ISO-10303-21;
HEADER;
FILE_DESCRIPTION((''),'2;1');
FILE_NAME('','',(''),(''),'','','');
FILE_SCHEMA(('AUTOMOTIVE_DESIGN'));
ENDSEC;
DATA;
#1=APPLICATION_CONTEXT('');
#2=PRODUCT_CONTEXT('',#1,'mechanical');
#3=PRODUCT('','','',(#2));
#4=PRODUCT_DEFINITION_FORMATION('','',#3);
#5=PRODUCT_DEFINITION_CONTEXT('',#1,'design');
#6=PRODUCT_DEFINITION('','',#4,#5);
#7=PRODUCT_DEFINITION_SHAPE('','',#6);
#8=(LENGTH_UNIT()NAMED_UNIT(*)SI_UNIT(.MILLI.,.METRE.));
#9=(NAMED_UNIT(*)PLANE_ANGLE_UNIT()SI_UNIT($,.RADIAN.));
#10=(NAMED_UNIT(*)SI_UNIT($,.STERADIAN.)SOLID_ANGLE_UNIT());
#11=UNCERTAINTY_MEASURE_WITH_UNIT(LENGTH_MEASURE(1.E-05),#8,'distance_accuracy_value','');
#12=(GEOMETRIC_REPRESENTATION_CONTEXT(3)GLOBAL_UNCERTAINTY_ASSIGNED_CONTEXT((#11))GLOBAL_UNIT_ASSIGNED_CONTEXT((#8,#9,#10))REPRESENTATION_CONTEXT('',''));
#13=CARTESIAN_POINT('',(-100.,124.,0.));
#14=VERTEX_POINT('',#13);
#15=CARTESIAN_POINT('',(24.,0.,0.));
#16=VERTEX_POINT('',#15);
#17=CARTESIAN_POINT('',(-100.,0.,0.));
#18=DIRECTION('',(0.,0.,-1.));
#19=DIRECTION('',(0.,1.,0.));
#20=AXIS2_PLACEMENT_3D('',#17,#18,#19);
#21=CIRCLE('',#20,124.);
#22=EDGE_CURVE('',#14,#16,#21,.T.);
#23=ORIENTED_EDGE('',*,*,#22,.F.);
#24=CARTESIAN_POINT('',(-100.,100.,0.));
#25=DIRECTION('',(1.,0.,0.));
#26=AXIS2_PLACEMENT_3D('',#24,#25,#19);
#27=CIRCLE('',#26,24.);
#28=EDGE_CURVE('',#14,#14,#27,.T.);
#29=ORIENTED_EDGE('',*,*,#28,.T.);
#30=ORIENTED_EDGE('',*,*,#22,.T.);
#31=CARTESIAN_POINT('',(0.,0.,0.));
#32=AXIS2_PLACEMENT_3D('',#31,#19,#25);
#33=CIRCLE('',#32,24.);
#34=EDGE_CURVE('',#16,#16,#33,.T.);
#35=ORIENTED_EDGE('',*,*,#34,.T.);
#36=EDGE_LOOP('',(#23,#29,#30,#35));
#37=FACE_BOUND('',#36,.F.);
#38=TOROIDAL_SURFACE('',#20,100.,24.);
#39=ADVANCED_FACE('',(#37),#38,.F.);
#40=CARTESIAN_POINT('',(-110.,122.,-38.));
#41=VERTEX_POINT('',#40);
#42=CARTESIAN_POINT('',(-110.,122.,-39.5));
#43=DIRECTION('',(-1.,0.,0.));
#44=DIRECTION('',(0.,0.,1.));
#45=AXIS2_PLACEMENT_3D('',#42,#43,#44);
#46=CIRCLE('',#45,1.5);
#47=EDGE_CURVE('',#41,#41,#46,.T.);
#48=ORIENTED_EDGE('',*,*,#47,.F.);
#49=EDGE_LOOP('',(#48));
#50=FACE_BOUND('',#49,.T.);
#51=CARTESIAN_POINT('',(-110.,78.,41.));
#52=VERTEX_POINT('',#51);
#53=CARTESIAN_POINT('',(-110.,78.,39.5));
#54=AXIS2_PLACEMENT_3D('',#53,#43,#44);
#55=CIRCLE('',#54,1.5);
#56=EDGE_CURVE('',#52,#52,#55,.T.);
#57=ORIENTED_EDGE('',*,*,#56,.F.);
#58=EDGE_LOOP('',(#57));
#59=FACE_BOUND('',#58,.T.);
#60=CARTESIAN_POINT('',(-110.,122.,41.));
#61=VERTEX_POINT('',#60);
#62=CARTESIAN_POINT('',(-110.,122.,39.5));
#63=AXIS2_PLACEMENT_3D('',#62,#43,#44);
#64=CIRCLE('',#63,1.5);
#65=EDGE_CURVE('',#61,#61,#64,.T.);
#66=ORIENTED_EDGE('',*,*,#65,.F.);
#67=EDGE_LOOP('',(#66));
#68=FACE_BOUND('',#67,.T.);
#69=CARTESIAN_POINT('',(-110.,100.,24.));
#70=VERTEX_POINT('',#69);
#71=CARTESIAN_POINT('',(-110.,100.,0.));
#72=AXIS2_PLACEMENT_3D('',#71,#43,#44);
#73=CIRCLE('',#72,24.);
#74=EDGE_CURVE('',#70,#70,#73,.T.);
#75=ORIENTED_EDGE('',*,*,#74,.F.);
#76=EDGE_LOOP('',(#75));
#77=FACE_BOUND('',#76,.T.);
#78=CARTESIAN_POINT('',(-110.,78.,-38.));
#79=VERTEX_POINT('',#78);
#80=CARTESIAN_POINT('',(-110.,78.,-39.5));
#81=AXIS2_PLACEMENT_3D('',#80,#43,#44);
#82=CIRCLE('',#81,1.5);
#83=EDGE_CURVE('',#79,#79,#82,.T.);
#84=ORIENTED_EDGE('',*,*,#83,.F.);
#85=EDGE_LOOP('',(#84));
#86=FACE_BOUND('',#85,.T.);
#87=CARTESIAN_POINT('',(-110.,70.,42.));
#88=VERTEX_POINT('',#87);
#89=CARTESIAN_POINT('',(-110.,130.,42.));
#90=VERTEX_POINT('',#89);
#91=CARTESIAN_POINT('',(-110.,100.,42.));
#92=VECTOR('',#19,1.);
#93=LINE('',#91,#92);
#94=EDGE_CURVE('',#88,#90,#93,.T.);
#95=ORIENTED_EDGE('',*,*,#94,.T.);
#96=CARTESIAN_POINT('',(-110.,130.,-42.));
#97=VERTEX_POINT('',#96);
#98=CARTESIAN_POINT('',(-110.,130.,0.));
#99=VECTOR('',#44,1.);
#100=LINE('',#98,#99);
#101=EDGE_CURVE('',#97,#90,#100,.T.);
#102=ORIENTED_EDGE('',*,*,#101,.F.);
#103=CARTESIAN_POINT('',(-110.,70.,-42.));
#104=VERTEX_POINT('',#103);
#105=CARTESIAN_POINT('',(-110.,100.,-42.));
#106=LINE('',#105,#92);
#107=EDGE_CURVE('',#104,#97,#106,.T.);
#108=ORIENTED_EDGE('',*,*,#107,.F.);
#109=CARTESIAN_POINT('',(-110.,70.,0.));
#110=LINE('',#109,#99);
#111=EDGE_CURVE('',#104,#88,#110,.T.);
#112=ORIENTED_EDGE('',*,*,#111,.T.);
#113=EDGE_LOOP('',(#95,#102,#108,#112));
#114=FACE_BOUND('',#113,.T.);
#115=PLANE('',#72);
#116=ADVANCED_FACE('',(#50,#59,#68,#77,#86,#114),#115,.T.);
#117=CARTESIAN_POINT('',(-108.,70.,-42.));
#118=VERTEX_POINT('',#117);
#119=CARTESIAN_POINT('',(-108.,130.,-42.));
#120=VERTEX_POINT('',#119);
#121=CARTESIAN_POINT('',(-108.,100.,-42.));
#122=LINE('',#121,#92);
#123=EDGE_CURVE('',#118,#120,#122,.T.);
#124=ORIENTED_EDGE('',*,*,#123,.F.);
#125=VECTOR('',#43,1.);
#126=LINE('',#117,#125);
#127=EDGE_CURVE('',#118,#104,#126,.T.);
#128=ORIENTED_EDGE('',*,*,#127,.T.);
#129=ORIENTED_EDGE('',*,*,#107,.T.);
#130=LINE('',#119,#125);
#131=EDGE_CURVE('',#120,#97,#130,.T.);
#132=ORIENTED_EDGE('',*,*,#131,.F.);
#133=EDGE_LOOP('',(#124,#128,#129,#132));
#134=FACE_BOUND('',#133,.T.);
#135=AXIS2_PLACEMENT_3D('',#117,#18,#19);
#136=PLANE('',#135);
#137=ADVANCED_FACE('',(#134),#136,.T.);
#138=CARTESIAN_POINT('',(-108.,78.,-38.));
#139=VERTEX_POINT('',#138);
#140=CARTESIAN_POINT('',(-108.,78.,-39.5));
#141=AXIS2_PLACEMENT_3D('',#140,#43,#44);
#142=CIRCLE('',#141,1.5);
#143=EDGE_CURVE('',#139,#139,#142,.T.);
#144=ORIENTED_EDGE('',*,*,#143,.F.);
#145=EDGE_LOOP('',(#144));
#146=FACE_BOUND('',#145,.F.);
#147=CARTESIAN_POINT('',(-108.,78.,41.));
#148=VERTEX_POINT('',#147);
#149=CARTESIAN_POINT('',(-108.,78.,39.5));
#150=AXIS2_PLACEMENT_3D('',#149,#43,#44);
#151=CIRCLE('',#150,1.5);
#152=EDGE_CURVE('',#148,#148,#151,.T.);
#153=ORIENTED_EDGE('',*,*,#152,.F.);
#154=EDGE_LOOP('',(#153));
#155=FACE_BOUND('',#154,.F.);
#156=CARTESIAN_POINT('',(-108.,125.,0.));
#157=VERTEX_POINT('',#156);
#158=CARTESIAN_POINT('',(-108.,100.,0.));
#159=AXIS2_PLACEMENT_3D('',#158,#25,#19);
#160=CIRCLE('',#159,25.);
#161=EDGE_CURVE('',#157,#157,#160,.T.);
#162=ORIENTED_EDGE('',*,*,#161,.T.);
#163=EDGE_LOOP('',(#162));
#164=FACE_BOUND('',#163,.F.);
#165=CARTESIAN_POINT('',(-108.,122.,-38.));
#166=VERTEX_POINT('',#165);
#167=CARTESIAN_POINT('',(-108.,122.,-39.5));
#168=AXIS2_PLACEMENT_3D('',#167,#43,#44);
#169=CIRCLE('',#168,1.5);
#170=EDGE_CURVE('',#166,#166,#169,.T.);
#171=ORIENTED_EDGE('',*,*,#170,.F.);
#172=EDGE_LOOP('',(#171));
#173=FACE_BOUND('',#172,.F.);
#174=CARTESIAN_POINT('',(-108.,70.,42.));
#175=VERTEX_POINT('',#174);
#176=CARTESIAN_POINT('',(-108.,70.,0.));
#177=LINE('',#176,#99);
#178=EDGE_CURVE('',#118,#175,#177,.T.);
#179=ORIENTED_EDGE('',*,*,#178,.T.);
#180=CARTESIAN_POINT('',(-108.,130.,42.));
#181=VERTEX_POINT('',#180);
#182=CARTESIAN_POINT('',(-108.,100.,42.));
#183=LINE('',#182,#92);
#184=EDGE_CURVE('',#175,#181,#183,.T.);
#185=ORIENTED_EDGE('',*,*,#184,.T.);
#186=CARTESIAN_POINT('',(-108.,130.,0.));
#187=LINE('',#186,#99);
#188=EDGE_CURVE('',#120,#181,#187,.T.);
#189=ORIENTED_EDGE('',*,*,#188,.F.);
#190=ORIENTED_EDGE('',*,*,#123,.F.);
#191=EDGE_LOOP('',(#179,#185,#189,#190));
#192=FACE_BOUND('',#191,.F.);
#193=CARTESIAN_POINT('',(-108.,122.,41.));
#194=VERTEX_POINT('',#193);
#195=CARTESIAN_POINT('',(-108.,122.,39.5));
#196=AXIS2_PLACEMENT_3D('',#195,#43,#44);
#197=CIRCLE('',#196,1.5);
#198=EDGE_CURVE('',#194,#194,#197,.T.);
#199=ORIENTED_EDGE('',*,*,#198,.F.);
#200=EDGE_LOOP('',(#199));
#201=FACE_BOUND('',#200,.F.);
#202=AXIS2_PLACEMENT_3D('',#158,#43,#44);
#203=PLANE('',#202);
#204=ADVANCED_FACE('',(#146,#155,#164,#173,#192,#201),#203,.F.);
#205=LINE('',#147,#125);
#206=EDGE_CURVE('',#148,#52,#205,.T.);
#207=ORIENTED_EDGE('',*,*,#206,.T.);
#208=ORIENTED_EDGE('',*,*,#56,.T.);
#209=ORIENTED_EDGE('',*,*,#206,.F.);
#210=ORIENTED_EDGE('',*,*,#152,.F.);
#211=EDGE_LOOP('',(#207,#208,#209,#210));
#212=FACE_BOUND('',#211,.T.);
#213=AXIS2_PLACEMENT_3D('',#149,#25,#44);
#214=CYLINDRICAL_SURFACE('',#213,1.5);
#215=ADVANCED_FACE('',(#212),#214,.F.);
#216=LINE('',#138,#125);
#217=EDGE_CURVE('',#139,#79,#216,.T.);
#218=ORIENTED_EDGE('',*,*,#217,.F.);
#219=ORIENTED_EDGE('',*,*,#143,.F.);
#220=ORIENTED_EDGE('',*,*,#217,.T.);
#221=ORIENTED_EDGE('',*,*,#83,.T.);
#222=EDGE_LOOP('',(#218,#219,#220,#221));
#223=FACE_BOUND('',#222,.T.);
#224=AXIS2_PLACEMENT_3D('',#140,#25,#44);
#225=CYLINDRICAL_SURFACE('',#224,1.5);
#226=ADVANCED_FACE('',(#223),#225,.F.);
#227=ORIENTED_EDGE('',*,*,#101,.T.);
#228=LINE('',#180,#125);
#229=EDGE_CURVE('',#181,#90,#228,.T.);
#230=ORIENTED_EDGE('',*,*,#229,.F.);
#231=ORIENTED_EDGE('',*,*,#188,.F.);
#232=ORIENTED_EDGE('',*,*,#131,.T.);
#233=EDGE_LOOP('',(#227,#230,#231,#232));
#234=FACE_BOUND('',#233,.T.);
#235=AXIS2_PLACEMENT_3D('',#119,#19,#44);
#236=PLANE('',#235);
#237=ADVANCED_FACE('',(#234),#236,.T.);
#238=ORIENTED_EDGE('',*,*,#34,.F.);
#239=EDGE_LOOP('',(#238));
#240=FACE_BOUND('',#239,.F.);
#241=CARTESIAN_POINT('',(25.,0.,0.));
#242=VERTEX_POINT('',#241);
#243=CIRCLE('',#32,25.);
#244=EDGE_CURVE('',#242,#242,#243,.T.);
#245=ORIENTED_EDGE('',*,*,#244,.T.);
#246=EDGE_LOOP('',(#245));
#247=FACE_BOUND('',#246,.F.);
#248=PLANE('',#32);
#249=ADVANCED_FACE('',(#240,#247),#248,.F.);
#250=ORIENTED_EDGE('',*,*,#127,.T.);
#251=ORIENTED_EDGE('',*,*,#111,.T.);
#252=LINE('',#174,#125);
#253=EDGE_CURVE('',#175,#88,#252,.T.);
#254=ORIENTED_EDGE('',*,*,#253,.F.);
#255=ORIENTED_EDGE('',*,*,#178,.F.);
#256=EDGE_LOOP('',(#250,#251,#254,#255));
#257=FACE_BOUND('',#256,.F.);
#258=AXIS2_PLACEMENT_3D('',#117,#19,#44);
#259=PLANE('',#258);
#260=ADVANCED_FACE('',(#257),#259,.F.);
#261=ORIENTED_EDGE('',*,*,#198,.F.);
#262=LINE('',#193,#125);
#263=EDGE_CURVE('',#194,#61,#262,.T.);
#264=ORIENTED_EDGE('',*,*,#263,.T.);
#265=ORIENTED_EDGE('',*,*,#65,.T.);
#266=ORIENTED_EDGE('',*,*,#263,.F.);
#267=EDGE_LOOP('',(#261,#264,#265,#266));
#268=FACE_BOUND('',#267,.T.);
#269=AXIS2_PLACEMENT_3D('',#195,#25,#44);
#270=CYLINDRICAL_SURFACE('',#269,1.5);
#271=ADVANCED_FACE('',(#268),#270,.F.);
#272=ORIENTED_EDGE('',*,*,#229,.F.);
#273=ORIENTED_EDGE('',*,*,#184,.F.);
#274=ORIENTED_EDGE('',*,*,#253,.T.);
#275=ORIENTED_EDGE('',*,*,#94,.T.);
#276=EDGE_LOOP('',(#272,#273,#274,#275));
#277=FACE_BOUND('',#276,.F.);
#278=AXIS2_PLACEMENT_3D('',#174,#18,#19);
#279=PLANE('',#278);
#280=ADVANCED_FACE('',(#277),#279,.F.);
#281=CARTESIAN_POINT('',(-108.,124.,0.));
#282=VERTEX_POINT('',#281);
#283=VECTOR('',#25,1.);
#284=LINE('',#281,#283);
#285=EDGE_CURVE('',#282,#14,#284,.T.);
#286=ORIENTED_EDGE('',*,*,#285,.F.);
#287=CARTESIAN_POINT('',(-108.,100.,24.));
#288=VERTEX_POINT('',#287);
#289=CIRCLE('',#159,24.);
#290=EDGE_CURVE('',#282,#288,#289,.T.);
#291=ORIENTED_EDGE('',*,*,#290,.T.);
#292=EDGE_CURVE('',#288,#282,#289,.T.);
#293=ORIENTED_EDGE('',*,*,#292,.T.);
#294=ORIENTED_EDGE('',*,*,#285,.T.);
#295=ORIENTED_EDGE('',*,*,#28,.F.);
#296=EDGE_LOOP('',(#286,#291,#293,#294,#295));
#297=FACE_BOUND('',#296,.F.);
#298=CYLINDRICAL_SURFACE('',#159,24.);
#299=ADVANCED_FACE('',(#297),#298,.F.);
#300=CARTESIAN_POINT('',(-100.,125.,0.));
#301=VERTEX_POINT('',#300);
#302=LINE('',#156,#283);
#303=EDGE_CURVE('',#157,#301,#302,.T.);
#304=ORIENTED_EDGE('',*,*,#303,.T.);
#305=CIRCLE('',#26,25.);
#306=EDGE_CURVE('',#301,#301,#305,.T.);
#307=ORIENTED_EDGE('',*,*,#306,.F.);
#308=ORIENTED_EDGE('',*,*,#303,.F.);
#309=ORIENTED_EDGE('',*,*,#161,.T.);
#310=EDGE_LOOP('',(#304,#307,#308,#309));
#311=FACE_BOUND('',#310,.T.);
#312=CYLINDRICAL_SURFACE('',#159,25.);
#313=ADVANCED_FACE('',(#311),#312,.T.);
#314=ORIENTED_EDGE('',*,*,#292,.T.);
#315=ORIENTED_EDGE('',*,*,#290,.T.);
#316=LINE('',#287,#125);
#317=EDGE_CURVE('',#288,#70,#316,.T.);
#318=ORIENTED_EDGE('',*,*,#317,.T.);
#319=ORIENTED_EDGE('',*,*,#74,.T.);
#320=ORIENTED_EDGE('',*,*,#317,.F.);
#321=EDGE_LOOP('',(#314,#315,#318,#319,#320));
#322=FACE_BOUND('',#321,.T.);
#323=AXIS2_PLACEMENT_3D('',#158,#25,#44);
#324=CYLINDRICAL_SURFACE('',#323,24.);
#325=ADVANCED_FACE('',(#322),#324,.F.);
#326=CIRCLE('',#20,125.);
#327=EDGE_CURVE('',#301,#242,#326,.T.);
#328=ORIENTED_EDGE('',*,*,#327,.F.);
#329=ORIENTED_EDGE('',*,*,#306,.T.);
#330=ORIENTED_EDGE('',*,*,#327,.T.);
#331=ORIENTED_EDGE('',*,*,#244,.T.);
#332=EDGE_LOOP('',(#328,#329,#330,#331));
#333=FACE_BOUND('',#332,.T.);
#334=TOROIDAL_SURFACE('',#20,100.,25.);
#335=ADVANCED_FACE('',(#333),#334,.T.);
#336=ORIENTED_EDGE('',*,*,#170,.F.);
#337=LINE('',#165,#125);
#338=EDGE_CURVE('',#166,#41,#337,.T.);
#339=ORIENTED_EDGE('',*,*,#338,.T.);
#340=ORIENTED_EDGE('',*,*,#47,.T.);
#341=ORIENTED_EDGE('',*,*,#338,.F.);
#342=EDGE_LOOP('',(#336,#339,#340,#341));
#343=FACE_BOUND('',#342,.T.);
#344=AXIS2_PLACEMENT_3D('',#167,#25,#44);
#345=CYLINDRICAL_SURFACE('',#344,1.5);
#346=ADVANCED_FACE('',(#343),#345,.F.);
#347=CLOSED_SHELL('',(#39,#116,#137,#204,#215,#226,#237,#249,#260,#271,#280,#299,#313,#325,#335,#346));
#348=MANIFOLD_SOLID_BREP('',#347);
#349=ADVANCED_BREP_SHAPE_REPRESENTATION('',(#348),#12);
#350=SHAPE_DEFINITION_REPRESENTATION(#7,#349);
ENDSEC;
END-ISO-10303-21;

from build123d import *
from build123d.topology import SkipClean

# Parameters (mm, degrees)
IZIM2_R                     = 25
IZIM4_R                     = 24
IZIM5_W                     = 84
IZIM5_H                     = 60
IZIM5_R                     = 24
IZIM5_R_2                   = 1.5
Y_KSEKLIK_EKSTR_ZYON1_DEPTH = 2


with BuildPart() as part:
    # Süpür1: sweep along a path in Çizim1
    with BuildLine(Plane.XY) as s_p_r1_path:
        Line((-108, 100), (-100, 100))
        ThreePointArc((-100, 100), (-29.289321881, 70.710678119), (0, 0))
    # Çizim2 → Süpür1 (sweep)
    with BuildSketch(Plane(origin=(0, 0, 0), x_dir=(1, 0, 0), z_dir=(0, 1, 0))):
        Circle(IZIM2_R)
    sweep(path=s_p_r1_path.line)

    # Kes-Süpür1: sweep along a path in Çizim3
    with BuildLine(Plane.XY) as kes_s_p_r1_path:
        Line((-108, 100), (-100, 100))
        ThreePointArc((-100, 100), (-29.289321881, 70.710678119), (0, 0))
    # Çizim4 → Kes-Süpür1 (sweep, cut)
    with BuildSketch(Plane(origin=(0, 0, 0), x_dir=(1, 0, 0), z_dir=(0, 1, 0))):
        Circle(IZIM4_R)
    sweep(path=kes_s_p_r1_path.line, mode=Mode.SUBTRACT)

    # Çizim5 → Yükseklik-Ekstrüzyon1 (add)
    with SkipClean():  # the faces are left unmerged after this step: merging them gives an invalid solid
        with BuildSketch(Plane.ZY.offset(108)):
            with Locations((0, 100)):
                Rectangle(IZIM5_W, IZIM5_H)
            with Locations((0, 100)):
                Circle(IZIM5_R, mode=Mode.SUBTRACT)
            with Locations((-39.5, 122)):
                Circle(IZIM5_R_2, mode=Mode.SUBTRACT)
            with Locations((39.5, 122)):
                Circle(IZIM5_R_2, mode=Mode.SUBTRACT)
            with Locations((39.5, 78)):
                Circle(IZIM5_R_2, mode=Mode.SUBTRACT)
            with Locations((-39.5, 78)):
                Circle(IZIM5_R_2, mode=Mode.SUBTRACT)
        extrude(amount=Y_KSEKLIK_EKSTR_ZYON1_DEPTH)


solid = part.part
